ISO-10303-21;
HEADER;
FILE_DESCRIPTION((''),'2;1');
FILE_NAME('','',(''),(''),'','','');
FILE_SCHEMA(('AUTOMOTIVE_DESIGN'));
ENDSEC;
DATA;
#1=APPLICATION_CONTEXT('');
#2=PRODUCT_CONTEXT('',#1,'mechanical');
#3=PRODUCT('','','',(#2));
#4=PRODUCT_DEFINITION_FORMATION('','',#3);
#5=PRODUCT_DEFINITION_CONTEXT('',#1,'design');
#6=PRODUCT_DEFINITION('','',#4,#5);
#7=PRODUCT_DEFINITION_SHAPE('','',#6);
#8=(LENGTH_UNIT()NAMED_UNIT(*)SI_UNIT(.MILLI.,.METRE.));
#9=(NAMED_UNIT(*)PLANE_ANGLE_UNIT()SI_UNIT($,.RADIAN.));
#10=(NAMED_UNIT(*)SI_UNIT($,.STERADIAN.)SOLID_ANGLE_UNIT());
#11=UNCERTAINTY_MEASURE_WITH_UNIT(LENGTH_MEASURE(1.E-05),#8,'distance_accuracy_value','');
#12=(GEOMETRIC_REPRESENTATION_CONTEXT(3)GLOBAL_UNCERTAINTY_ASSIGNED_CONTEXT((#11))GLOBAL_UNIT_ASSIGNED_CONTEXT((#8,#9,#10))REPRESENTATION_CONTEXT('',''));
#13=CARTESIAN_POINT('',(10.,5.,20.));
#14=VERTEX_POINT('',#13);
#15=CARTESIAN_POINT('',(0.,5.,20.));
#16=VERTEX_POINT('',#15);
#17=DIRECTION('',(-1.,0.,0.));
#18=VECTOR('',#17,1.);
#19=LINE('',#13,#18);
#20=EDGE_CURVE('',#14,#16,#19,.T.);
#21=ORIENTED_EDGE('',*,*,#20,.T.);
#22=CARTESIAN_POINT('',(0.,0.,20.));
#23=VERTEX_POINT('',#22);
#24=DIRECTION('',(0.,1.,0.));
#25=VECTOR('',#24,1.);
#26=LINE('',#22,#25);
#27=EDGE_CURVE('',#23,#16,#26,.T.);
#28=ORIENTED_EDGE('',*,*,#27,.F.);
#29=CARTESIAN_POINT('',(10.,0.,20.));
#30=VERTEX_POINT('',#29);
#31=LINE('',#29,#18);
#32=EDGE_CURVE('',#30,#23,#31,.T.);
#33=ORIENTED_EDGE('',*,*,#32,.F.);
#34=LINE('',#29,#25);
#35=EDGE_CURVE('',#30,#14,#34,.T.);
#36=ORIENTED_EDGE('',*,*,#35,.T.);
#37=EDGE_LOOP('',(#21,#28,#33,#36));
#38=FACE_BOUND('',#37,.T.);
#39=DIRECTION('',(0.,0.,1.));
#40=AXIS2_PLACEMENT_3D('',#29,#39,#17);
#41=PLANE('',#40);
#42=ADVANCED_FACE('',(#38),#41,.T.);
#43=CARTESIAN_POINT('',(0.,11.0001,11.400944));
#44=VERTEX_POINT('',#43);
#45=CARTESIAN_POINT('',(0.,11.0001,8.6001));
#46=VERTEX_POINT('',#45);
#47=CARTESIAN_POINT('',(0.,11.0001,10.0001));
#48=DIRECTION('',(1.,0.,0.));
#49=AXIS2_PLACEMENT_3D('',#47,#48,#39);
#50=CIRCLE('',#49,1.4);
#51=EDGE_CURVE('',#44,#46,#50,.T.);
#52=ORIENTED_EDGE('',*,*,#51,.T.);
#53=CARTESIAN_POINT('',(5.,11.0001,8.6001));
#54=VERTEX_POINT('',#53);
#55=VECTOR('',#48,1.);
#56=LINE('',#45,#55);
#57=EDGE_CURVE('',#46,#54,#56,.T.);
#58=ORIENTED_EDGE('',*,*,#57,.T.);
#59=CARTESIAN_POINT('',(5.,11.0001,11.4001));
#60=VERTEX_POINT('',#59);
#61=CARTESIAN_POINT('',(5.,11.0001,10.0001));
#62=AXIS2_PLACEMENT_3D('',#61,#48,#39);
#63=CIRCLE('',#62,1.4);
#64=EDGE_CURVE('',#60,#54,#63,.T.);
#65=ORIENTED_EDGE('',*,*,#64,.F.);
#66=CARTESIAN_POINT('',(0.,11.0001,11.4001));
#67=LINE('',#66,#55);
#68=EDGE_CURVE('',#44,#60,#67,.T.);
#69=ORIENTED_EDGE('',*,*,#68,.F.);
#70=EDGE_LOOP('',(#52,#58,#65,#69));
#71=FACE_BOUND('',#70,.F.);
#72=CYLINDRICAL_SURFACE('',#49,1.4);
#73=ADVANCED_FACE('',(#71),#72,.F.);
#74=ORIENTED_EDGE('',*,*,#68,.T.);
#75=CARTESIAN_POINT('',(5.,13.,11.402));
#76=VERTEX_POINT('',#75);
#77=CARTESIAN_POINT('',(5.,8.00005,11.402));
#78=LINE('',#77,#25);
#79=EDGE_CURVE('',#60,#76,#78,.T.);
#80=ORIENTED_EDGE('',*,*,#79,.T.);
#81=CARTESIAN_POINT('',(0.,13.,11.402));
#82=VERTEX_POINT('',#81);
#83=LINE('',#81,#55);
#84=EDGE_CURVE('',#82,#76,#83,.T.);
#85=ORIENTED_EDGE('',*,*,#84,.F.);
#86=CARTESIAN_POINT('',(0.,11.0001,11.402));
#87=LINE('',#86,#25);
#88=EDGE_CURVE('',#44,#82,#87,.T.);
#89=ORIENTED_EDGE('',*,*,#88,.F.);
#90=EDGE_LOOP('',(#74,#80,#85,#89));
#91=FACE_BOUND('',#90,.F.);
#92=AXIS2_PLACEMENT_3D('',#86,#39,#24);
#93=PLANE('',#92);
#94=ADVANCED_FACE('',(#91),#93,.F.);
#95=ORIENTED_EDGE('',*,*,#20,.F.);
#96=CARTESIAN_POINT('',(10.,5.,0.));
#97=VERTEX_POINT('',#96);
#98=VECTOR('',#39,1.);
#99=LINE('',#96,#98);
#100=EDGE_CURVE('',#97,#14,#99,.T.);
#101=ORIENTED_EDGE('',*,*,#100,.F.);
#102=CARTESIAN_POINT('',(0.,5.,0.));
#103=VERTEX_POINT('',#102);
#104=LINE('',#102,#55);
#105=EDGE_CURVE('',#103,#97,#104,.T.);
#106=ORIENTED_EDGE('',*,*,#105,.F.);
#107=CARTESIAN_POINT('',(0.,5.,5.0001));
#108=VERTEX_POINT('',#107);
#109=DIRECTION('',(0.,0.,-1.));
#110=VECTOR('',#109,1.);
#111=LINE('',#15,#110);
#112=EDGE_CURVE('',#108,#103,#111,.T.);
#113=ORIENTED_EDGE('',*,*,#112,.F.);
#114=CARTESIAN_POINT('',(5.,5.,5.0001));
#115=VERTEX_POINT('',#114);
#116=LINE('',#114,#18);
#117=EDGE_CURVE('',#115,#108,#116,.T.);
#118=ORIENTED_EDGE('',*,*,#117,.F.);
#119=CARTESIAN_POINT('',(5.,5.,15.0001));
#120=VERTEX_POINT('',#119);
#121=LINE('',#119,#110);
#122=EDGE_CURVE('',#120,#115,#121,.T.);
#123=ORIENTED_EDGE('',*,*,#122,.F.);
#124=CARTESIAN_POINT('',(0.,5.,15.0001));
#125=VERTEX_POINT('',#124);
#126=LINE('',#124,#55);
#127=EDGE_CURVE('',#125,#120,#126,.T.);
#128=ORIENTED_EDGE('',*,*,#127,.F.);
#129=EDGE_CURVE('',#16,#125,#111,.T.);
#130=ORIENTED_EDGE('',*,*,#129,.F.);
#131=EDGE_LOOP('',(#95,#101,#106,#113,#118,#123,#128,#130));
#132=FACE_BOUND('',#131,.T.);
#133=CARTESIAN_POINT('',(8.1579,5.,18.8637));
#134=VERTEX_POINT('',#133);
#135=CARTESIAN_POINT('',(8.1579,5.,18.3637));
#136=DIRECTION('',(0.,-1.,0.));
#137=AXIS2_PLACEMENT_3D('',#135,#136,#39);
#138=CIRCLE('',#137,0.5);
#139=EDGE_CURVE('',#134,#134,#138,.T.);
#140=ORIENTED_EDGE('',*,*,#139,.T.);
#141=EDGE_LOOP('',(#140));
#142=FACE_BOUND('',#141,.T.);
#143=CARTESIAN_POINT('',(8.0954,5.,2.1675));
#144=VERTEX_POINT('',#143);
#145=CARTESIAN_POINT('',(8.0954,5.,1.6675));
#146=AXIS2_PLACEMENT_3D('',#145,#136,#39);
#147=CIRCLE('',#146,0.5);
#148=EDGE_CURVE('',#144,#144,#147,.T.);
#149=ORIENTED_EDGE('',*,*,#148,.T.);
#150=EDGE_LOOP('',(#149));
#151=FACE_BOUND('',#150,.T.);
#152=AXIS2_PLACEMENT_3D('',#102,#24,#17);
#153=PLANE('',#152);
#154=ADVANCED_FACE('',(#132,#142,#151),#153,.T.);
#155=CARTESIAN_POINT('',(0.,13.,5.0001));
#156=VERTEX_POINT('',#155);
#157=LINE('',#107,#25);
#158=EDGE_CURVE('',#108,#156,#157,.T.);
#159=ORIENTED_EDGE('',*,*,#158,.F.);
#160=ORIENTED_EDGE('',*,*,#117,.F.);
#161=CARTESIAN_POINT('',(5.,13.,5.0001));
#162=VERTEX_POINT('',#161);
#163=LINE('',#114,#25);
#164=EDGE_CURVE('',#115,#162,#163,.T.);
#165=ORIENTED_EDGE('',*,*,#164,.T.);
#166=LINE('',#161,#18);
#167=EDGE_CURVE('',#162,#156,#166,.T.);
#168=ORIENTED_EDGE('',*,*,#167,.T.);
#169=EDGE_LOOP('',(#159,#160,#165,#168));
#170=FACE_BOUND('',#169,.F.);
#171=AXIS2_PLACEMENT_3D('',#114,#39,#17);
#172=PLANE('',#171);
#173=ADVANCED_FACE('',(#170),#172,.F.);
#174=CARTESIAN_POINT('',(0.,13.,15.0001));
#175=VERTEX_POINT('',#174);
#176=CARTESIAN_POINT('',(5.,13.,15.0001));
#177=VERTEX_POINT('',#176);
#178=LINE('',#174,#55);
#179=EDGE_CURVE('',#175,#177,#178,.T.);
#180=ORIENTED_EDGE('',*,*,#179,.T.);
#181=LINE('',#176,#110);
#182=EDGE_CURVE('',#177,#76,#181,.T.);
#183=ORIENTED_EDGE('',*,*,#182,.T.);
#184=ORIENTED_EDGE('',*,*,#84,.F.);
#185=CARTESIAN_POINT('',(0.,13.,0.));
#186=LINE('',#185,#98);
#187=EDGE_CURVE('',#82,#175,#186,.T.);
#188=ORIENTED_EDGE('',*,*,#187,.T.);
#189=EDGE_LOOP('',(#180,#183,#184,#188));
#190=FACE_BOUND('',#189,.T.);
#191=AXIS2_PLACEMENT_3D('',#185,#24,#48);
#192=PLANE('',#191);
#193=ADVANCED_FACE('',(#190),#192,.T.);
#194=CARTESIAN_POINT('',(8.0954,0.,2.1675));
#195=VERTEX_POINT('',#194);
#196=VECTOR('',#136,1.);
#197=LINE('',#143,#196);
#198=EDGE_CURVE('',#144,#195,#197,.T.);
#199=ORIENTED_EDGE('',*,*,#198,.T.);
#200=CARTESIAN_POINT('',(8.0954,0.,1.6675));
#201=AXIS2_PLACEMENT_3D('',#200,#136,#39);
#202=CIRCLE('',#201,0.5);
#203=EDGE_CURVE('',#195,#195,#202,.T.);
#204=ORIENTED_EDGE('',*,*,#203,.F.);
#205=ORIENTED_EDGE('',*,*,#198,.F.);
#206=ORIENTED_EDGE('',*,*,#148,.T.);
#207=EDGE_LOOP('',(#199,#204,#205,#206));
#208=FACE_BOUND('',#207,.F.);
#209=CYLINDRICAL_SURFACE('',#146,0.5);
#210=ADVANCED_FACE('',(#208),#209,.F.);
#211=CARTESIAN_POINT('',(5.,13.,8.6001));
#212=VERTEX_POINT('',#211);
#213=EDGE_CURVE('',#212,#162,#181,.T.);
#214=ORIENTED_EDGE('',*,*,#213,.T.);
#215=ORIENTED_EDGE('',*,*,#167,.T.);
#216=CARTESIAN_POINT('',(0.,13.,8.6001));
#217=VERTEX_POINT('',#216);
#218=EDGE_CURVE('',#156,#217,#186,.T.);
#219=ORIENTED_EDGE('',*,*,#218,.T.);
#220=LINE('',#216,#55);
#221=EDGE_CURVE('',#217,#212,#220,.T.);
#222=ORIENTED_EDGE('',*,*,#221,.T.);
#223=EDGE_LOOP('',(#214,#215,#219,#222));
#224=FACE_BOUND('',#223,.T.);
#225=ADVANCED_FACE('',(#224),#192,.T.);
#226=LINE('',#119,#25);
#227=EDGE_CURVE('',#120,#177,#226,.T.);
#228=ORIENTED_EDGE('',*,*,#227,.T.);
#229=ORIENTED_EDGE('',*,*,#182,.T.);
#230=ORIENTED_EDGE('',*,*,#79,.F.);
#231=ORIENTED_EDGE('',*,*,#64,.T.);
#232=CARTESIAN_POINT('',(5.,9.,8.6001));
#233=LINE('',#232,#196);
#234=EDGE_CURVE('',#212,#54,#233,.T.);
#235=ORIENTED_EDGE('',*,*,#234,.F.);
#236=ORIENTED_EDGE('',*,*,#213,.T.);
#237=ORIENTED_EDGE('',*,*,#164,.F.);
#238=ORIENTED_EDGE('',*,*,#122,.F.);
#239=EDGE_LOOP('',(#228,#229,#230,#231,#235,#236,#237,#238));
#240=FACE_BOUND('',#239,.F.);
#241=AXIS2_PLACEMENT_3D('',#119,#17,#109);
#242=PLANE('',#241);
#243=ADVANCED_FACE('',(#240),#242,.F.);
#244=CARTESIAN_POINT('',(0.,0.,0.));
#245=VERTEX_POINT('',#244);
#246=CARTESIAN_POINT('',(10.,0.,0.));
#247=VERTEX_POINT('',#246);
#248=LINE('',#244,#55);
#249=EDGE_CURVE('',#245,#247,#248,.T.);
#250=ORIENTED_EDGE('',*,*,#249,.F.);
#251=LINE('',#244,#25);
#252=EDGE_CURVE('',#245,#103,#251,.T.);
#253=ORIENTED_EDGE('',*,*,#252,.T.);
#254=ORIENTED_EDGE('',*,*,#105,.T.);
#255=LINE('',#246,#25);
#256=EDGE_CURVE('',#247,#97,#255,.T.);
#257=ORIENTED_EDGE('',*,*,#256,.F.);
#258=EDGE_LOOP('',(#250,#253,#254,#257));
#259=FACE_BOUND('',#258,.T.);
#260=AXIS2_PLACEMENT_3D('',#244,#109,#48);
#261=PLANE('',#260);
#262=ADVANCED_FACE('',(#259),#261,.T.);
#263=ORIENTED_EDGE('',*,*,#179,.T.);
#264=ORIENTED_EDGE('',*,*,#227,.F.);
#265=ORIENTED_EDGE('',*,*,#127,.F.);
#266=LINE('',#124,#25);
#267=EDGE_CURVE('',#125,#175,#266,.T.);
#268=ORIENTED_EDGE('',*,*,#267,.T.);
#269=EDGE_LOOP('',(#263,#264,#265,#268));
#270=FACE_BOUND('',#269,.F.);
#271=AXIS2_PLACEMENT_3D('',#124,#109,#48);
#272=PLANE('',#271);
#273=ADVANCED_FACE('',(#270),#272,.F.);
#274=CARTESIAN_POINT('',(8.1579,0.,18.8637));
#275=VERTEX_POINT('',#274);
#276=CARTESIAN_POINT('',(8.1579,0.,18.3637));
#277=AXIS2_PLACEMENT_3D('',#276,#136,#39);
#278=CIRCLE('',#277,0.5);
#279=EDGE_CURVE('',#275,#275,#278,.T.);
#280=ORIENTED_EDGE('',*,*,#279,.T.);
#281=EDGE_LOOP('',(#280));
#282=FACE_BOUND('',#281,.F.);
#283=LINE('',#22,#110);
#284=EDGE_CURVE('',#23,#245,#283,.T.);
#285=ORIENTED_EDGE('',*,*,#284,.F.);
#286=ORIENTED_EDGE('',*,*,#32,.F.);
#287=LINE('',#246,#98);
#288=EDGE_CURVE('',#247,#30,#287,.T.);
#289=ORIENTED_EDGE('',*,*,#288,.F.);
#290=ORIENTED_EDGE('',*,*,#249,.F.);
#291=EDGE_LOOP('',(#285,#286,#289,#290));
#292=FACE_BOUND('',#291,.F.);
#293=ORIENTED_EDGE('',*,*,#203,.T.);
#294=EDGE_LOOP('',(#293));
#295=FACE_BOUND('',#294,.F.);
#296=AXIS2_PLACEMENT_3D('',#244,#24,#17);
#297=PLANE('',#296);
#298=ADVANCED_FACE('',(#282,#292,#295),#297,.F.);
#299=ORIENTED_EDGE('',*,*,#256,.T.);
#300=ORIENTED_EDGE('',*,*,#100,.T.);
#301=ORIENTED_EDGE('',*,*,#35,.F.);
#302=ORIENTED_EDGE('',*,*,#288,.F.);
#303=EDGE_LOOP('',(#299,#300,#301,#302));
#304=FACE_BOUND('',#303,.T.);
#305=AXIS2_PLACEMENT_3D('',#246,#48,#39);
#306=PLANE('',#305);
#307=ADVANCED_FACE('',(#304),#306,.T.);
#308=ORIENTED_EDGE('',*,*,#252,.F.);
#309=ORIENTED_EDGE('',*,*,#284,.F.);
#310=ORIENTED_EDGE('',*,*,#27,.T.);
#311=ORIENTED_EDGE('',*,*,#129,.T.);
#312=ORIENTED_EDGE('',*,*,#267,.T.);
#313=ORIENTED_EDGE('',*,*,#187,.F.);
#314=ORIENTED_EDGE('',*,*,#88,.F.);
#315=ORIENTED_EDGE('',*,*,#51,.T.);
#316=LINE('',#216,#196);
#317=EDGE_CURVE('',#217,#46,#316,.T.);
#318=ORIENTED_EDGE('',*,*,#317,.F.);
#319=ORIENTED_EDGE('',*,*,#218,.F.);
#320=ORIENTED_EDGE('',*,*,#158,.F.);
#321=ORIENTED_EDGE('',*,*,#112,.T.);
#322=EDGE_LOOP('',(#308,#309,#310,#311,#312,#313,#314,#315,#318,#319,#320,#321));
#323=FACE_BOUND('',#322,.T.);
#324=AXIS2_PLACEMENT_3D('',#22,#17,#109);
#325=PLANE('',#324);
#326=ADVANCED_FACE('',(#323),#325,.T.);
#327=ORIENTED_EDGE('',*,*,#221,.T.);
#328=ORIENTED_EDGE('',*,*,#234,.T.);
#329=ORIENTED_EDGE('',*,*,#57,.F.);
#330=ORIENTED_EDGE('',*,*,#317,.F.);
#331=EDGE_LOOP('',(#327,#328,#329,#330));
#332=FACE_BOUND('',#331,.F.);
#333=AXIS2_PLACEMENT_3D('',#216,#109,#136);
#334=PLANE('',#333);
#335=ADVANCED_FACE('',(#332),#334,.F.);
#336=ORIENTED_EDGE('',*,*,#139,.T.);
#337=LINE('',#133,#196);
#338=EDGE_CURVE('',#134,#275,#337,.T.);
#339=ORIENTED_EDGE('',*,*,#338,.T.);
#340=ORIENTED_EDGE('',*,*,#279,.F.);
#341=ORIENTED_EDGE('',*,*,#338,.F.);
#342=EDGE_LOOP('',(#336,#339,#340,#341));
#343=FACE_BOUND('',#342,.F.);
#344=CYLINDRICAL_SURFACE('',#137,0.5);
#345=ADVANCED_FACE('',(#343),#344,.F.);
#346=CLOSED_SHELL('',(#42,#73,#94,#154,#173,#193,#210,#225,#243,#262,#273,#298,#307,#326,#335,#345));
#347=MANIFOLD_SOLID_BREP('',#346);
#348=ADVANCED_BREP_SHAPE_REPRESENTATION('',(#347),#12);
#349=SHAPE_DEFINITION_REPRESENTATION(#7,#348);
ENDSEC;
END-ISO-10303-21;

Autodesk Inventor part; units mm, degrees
ref_plane "YZ Plane" through (0, 0, 0) normal (1, 0, 0) x (0, 1, 0)
ref_plane "XZ Plane" through (0, 0, 0) normal (0, 1, 0) x (-1, 0, 0)
ref_plane "XY Plane" through (0, 0, 0) normal (0, 0, 1) x (1, 0, 0)
sketch "Sketch1" plane through (0, 0, 0) normal (0, 1, 0) x (-1, 0, 0)
  line L0 (0, 0) -> (-10, 0)
  line L1 (-10, 0) -> (-10, 20)
  line L2 (-10, 20) -> (0, 20)
  line L3 (0, 20) -> (0, 0)
  dimension "d0" = 10
  dimension "d1" = 20
extrude "Extrusion1" add sketch "Sketch1" along normal blind 5
sketch "Sketch2" plane through (0, 5, 0) normal (0, 1, 0) x (1, 0, 0)
  line L0 (0, 0) -> (0, -20) projected
  line L1 (0, -15.0001) -> (5, -15.0001)
  line L2 (5, -15.0001) -> (5, -5.0001)
  line L3 (5, -5.0001) -> (0, -5.0001)
  line L4 (0, -5.0001) -> (0, -15.0001)
  dimension "d4" = 5
  dimension "d5" = 10
extrude "Extrusion2" add sketch "Sketch2" along normal blind 8
sketch "Sketch3" plane through (0, 0, 0) normal (-1, 0, 0) x (0, 0, 1)
  circle A0 centre (10.0001, 11.0001) radius 1.5
  point P0 (0, 0)
  dimension "d8" = 3
hole "Hole1" at (0, 11.0001, 10.0001) direction (1, 0, 0) diameter 2.8 end through all
sketch "Sketch4" plane through (0, 0, 0) normal (-1, 0, 0) x (0, 0, 1)
  circle A0 centre (10.0001, 11.0001) radius 1.4 projected
  line L0 (15.0001, 13) -> (5.0001, 13) projected
  line L1 (8.6001, 11.0001) -> (11.402, 11.0001)
  line L2 (11.402, 11.0001) -> (11.402, 13)
  line L3 (11.402, 13) -> (8.6001, 13)
  line L4 (8.6001, 13) -> (8.6001, 11.0001)
  point P0 (0, 0)
extrude "Extrusion3" cut sketch "Sketch4" against normal blind 9.4625 contours L1 A0 | A0 L4 L0 L2 picked at (10.3893, 11.6381)
sketch "Sketch5" plane through (0, 5, 0) normal (0, 1, 0) x (1, 0, 0)
  point P0 (0, 0)
  point P1 (8.0954, -1.6675)
hole "Hole2" at (8.0954, 5, 1.6675) direction (0, -1, 0) diameter 1 end through all
sketch "Sketch6" plane through (0, 5, 0) normal (0, 1, 0) x (1, 0, 0)
  point P0 (0, 0)
  point P1 (8.1579, -18.3637)
hole "Hole3" at (8.1579, 5, 18.3637) direction (0, -1, 0) diameter 1 end through all
properties part number "laser_uchwyt"
